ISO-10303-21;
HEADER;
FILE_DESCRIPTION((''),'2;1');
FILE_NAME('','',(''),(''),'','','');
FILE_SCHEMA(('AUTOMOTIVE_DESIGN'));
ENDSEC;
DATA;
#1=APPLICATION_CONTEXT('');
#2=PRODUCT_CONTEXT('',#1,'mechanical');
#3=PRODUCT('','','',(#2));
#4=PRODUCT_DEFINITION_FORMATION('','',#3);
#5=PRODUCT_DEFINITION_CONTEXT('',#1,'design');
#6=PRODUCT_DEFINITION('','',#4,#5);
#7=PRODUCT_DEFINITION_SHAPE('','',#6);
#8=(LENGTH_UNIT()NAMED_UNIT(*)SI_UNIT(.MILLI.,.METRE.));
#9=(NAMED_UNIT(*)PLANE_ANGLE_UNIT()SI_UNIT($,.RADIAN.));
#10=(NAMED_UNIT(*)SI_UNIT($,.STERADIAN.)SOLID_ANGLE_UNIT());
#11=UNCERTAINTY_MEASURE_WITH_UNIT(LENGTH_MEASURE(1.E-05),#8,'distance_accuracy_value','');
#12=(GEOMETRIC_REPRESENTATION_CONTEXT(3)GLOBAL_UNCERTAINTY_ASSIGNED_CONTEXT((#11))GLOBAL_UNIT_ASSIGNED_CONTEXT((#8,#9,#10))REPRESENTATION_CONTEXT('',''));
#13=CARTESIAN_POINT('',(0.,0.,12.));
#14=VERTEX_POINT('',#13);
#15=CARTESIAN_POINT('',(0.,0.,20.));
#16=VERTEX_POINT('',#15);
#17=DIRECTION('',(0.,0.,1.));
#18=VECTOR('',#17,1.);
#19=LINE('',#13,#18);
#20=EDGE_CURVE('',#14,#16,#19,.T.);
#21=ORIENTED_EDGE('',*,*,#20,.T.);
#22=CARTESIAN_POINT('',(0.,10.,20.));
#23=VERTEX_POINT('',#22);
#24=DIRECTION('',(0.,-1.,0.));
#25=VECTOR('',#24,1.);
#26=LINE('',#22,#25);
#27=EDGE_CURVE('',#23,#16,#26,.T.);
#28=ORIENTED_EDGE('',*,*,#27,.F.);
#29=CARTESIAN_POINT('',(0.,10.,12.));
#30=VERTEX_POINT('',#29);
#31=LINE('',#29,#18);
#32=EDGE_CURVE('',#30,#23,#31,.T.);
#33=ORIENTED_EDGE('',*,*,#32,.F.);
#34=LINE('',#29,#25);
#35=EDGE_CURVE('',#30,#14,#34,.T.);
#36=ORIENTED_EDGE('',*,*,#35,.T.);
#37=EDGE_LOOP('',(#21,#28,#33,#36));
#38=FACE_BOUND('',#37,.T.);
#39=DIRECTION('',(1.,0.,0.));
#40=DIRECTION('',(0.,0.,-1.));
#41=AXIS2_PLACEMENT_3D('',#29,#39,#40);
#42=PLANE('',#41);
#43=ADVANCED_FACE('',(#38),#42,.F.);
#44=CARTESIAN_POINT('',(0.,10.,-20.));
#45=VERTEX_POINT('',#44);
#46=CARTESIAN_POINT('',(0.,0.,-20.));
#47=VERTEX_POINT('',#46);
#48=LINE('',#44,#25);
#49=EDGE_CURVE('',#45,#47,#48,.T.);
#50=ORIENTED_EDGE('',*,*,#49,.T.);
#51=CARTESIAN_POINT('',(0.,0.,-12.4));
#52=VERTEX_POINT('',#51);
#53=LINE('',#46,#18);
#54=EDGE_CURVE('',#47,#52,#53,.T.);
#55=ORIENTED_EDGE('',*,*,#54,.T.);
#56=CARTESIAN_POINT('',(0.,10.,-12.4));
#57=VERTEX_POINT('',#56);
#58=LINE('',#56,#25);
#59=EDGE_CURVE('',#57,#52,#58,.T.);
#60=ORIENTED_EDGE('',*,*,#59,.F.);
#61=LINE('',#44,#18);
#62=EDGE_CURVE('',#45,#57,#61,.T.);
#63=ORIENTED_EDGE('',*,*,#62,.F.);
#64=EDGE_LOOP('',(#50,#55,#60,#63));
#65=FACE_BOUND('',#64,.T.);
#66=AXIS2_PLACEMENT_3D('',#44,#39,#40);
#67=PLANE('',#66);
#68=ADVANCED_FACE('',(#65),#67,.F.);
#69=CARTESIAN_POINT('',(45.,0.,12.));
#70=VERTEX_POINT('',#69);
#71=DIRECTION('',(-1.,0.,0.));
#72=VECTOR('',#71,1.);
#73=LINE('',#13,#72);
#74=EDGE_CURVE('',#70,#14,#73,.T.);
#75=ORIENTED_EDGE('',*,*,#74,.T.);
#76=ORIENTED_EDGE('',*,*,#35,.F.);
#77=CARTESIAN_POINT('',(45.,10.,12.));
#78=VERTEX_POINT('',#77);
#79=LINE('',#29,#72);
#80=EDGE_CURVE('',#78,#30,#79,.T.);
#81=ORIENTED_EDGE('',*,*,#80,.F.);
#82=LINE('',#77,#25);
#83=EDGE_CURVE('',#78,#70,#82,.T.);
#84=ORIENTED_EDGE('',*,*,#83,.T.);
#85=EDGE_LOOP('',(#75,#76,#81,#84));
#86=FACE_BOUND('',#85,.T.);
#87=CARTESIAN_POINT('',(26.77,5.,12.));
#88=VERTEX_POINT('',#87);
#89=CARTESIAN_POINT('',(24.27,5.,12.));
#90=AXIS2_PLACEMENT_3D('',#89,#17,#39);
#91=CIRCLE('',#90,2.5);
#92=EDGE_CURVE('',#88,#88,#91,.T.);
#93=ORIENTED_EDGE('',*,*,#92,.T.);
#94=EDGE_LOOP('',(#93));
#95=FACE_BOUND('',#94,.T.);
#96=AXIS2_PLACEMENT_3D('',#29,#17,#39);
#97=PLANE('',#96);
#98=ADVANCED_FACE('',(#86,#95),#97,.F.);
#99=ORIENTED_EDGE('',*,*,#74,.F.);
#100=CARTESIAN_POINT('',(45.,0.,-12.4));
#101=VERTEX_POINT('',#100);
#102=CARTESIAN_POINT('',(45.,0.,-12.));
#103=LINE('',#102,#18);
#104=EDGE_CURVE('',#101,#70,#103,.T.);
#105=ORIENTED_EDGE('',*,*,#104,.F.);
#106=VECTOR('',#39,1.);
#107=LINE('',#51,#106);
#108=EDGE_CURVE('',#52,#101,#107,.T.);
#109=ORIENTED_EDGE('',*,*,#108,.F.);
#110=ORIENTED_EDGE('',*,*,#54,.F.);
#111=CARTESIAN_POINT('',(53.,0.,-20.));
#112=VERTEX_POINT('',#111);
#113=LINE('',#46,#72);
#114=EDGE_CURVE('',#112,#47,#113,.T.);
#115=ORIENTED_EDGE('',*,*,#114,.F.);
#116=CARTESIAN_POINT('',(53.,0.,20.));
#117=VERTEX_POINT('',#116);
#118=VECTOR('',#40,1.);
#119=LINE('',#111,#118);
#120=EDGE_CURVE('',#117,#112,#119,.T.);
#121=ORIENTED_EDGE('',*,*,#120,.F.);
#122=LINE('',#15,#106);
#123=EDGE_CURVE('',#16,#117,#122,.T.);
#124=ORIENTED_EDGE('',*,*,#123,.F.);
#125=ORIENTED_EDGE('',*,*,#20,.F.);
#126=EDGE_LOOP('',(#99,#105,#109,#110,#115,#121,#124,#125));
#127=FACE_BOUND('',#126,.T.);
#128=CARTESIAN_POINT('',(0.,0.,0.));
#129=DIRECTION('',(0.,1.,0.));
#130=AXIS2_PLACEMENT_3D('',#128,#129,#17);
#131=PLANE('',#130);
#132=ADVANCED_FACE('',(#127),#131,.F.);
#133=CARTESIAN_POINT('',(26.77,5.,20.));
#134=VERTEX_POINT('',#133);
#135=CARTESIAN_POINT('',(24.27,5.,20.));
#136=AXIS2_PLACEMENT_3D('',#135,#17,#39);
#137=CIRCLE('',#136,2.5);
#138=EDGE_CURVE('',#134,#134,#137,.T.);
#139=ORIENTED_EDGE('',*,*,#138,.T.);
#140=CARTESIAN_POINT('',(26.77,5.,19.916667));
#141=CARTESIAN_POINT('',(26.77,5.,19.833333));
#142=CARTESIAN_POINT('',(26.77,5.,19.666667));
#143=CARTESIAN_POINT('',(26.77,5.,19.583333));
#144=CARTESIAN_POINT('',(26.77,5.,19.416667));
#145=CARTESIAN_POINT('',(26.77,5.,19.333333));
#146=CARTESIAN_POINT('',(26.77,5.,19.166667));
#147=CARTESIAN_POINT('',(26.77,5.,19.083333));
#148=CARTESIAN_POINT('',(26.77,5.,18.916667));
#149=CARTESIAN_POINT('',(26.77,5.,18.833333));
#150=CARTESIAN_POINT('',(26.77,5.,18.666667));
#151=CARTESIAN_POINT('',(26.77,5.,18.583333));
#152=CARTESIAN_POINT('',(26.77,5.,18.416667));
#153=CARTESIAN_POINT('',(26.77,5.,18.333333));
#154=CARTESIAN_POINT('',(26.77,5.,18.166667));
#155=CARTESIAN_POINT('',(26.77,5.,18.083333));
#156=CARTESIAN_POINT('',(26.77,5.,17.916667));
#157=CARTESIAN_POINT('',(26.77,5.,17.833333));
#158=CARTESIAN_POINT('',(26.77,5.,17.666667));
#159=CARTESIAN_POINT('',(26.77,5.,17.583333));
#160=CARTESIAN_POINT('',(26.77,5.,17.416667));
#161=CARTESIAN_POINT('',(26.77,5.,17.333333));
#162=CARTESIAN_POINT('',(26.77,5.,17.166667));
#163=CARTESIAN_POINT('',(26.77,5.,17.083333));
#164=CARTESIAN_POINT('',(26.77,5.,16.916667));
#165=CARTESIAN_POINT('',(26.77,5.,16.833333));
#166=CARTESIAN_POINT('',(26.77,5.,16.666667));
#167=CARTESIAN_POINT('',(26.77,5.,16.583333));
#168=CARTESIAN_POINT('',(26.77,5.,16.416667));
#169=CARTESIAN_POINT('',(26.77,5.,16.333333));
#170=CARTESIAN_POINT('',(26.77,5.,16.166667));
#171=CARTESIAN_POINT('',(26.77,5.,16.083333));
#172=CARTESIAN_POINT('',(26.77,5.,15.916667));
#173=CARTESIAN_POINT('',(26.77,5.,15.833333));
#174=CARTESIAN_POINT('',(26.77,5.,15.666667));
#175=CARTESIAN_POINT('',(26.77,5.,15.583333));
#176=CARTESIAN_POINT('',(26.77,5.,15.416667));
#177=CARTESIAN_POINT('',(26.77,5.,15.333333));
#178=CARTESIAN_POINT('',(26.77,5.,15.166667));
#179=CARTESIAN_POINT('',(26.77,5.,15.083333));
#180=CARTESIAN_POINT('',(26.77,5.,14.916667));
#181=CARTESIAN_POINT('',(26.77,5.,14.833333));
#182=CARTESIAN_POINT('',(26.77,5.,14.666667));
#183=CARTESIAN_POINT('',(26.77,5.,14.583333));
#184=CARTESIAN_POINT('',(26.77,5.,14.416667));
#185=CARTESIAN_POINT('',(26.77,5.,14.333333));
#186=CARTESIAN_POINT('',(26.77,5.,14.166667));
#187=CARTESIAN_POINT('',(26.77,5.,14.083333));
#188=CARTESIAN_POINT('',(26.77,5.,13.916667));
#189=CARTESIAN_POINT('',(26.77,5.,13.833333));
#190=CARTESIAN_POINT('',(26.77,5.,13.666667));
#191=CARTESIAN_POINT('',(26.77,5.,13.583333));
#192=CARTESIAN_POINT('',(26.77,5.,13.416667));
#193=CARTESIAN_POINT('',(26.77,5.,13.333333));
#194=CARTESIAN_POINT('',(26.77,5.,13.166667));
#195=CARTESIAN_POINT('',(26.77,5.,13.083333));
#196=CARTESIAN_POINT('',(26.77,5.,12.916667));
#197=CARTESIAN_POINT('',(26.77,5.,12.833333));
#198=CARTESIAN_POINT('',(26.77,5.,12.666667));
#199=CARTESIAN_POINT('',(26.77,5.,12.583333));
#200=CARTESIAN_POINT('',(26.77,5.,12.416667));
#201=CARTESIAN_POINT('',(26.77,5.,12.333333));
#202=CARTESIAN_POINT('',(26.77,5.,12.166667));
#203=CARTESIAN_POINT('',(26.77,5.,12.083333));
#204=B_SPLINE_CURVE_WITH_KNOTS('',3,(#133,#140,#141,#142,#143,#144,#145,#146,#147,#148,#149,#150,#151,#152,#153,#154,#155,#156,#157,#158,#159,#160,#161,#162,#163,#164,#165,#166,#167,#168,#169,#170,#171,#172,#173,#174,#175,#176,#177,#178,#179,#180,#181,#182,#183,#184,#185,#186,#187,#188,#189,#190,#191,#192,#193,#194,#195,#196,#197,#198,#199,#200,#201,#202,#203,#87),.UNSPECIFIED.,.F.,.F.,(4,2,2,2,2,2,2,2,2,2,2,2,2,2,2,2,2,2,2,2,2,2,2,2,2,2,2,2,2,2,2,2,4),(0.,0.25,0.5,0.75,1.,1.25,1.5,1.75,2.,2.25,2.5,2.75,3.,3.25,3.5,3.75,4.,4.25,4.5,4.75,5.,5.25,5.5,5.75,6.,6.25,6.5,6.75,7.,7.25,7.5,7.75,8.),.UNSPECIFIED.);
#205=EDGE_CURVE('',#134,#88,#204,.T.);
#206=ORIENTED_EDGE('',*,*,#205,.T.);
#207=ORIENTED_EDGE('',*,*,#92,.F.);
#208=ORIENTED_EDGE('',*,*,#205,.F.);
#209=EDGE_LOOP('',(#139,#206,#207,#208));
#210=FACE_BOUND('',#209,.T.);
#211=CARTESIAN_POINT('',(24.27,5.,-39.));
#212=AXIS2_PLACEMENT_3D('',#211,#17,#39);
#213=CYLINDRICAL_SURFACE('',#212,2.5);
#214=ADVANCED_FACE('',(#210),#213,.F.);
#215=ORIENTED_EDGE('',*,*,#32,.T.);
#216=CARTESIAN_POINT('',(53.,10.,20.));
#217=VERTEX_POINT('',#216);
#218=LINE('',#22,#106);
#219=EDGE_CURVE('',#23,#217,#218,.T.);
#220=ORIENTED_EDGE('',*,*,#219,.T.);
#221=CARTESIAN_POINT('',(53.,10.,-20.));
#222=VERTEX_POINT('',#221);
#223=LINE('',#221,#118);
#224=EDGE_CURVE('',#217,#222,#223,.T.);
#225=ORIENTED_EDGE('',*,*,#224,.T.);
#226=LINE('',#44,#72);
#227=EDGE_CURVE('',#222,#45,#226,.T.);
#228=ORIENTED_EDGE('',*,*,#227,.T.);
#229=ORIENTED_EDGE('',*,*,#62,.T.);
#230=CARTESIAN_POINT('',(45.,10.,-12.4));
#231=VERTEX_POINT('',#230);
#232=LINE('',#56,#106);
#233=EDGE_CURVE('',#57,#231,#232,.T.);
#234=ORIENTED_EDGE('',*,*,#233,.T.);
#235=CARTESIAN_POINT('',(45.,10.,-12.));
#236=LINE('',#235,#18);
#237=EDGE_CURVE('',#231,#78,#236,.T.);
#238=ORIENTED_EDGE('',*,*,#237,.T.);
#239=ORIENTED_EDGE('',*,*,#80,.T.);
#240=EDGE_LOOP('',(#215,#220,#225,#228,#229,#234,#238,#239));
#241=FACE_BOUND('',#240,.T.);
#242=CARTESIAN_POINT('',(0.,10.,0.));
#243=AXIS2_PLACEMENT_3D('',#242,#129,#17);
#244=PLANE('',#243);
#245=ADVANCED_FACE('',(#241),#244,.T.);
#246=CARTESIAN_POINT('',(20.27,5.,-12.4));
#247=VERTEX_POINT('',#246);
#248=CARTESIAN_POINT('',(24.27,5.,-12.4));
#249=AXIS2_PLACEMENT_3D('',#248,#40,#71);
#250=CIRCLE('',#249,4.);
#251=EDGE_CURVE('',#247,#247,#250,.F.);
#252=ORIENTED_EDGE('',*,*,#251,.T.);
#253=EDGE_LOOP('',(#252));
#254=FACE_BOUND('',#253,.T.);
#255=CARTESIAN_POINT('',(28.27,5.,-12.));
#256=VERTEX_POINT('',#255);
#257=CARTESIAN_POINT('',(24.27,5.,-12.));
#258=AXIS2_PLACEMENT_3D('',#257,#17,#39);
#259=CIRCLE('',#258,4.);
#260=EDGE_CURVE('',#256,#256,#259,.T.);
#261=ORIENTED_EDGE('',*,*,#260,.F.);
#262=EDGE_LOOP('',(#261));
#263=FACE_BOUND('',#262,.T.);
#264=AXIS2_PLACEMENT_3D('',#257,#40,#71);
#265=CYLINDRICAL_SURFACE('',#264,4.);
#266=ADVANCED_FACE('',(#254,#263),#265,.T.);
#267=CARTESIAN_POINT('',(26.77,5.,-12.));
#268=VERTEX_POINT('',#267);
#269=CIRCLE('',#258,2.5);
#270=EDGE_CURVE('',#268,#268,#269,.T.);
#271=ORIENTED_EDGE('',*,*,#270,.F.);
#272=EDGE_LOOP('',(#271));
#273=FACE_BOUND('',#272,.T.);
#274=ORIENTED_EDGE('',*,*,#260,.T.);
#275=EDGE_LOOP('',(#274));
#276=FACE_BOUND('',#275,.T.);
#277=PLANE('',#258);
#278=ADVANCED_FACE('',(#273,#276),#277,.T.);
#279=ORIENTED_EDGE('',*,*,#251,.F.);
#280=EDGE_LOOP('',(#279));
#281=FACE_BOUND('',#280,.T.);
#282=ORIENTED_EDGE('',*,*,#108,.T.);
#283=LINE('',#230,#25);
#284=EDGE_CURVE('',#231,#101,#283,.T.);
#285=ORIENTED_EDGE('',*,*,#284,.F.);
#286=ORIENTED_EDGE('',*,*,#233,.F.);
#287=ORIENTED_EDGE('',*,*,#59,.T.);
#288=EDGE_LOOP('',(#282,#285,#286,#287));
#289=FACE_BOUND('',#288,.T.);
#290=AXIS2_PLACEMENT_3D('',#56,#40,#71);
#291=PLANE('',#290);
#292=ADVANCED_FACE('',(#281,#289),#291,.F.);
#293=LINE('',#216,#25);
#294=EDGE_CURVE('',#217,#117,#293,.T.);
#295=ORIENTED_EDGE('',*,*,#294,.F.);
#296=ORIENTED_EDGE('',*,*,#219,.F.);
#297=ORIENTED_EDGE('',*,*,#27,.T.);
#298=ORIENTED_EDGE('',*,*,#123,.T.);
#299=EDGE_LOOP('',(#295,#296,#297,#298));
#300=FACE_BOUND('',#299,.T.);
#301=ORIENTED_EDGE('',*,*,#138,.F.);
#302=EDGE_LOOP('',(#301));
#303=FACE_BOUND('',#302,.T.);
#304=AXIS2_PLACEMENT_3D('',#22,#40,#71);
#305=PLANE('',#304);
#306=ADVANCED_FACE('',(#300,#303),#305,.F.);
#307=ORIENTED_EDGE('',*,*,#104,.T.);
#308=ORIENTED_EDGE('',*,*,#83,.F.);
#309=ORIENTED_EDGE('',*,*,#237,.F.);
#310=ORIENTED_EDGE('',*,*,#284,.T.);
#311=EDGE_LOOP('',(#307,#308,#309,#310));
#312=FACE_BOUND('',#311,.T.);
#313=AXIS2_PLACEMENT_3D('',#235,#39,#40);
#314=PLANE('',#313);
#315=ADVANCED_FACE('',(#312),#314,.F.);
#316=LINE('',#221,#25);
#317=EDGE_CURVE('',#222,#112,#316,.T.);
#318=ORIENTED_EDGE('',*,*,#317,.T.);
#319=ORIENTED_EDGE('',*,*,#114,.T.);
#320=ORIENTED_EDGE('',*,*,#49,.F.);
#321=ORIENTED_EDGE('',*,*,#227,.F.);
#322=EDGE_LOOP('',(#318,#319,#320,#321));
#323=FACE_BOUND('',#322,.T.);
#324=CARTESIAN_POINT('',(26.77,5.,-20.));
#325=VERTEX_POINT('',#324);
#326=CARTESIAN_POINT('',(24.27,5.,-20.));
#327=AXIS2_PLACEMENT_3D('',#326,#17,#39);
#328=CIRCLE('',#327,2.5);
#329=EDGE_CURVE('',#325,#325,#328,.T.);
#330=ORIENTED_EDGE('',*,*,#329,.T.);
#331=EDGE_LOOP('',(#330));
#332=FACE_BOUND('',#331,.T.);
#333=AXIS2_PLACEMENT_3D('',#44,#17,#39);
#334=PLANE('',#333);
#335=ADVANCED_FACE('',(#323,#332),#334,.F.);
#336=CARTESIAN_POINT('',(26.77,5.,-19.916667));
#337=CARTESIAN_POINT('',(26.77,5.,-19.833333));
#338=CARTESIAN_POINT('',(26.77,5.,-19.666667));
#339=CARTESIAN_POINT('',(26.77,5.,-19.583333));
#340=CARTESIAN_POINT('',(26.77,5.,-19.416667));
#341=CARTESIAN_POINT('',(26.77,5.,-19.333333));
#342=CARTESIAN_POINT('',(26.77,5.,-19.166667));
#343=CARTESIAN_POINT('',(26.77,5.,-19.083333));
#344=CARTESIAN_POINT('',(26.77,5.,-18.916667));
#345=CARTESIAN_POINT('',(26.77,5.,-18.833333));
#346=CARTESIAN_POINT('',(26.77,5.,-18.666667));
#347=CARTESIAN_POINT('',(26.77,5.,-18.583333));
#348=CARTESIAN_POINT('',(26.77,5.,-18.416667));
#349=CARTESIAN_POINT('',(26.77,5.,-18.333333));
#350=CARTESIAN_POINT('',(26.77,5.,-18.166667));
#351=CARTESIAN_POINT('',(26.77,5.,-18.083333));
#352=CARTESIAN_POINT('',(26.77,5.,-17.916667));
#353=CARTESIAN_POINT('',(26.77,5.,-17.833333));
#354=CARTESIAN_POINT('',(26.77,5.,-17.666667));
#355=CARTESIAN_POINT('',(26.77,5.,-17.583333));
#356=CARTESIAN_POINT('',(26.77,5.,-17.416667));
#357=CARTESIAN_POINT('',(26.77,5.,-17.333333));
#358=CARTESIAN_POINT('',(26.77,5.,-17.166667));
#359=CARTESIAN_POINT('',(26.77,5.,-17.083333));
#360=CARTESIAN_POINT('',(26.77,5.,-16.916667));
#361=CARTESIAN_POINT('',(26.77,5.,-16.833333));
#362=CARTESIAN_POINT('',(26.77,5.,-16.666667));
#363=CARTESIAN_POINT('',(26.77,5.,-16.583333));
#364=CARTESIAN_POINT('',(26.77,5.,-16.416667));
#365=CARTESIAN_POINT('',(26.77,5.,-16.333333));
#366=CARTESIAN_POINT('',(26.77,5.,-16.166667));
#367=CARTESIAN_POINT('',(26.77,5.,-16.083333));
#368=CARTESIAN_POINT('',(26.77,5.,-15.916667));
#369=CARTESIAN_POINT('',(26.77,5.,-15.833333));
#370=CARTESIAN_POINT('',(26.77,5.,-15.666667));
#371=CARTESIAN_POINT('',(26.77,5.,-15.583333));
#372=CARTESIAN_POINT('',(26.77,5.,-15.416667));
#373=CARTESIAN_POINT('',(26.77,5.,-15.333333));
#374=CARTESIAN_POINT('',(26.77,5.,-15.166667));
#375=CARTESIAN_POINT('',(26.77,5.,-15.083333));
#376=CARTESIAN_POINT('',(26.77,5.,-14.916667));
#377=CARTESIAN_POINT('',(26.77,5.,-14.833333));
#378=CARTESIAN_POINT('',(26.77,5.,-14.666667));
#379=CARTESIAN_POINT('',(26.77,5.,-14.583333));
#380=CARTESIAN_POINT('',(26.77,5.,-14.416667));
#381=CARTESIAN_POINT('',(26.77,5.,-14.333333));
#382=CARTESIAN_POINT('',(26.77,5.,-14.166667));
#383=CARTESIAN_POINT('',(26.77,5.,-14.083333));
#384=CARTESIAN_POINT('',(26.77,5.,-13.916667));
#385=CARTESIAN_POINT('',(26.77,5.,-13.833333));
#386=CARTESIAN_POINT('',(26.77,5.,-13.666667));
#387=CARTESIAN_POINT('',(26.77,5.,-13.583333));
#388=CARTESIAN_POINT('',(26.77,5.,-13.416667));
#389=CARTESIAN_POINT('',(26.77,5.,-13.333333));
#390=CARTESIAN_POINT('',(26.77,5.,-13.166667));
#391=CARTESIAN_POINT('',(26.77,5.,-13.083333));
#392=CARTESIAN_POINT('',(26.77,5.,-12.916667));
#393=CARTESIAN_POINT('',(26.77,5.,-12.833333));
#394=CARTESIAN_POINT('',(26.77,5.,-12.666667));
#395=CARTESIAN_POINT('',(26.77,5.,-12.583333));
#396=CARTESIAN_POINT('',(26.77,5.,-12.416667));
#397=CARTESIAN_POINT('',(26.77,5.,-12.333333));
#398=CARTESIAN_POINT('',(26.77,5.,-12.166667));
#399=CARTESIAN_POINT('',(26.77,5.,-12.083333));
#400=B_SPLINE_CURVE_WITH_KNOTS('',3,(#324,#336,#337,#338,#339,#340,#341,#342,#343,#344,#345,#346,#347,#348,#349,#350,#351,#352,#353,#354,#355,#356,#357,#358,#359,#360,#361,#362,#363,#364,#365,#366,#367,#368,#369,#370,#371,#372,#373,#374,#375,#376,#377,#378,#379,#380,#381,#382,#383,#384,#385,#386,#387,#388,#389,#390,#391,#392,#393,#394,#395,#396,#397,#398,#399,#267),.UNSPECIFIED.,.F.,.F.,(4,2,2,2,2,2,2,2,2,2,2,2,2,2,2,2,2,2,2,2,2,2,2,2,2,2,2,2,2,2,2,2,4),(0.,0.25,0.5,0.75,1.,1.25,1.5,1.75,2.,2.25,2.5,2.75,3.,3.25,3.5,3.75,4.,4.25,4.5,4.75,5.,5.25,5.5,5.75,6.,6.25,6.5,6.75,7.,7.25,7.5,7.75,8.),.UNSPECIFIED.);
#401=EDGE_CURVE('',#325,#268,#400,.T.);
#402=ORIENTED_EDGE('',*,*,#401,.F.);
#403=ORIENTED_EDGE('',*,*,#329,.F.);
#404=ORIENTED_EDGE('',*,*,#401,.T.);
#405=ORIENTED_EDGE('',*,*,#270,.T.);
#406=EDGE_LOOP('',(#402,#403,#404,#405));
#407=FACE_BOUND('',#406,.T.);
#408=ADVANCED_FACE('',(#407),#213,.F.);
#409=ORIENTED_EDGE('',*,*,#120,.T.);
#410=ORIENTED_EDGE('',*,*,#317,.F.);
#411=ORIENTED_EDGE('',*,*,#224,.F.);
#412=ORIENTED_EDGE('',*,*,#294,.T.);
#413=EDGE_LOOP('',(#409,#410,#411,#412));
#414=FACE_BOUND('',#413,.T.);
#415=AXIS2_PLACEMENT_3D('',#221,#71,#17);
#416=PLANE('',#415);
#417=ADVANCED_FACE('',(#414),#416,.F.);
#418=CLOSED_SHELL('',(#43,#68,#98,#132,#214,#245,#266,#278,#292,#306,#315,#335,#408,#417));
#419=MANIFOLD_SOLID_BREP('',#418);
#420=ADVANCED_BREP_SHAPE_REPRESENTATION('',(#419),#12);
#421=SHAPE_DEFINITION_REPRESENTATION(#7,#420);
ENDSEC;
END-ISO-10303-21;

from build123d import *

# Parameters (mm, degrees)
BOSS_EXTRUDE1_DEPTH = 10
SKETCH2_R           = 2.5
CUT_EXTRUDE1_DEPTH  = 59
BOSS_EXTRUDE2_START = 0.4
SKETCH3_R           = 4
SKETCH3_R_2         = 2.5
BOSS_EXTRUDE2_DEPTH = 0.4


with BuildPart() as part:
    # Sketch1 → Boss-Extrude1 (new body)
    with BuildSketch(Plane(origin=(0, 0, 0), x_dir=(1, 0, 0), z_dir=(0, 1, 0))):
        Polygon((0, -12), (0, -20), (53, -20), (53, 20), (0, 20), (0, 12.4), (45, 12.4), (45, 12), (45, -12), align=None)
    extrude(amount=BOSS_EXTRUDE1_DEPTH)

    # Sketch2 → Cut-Extrude1 (cut)
    with BuildSketch(Plane.XY.offset(20)):
        with Locations((24.27, 5)):
            Circle(SKETCH2_R)
    extrude(amount=-CUT_EXTRUDE1_DEPTH, mode=Mode.SUBTRACT)

    # Sketch3 → Boss-Extrude2 (add)
    with BuildSketch(Plane.XY.offset(-12.4).offset(BOSS_EXTRUDE2_START)):
        with Locations(Location((24.27, 5, 0), (0, 0, 180))):
            Circle(SKETCH3_R)
        with Locations((24.27, 5)):
            Circle(SKETCH3_R_2, mode=Mode.SUBTRACT)
    extrude(amount=-BOSS_EXTRUDE2_DEPTH)


solid = part.part
